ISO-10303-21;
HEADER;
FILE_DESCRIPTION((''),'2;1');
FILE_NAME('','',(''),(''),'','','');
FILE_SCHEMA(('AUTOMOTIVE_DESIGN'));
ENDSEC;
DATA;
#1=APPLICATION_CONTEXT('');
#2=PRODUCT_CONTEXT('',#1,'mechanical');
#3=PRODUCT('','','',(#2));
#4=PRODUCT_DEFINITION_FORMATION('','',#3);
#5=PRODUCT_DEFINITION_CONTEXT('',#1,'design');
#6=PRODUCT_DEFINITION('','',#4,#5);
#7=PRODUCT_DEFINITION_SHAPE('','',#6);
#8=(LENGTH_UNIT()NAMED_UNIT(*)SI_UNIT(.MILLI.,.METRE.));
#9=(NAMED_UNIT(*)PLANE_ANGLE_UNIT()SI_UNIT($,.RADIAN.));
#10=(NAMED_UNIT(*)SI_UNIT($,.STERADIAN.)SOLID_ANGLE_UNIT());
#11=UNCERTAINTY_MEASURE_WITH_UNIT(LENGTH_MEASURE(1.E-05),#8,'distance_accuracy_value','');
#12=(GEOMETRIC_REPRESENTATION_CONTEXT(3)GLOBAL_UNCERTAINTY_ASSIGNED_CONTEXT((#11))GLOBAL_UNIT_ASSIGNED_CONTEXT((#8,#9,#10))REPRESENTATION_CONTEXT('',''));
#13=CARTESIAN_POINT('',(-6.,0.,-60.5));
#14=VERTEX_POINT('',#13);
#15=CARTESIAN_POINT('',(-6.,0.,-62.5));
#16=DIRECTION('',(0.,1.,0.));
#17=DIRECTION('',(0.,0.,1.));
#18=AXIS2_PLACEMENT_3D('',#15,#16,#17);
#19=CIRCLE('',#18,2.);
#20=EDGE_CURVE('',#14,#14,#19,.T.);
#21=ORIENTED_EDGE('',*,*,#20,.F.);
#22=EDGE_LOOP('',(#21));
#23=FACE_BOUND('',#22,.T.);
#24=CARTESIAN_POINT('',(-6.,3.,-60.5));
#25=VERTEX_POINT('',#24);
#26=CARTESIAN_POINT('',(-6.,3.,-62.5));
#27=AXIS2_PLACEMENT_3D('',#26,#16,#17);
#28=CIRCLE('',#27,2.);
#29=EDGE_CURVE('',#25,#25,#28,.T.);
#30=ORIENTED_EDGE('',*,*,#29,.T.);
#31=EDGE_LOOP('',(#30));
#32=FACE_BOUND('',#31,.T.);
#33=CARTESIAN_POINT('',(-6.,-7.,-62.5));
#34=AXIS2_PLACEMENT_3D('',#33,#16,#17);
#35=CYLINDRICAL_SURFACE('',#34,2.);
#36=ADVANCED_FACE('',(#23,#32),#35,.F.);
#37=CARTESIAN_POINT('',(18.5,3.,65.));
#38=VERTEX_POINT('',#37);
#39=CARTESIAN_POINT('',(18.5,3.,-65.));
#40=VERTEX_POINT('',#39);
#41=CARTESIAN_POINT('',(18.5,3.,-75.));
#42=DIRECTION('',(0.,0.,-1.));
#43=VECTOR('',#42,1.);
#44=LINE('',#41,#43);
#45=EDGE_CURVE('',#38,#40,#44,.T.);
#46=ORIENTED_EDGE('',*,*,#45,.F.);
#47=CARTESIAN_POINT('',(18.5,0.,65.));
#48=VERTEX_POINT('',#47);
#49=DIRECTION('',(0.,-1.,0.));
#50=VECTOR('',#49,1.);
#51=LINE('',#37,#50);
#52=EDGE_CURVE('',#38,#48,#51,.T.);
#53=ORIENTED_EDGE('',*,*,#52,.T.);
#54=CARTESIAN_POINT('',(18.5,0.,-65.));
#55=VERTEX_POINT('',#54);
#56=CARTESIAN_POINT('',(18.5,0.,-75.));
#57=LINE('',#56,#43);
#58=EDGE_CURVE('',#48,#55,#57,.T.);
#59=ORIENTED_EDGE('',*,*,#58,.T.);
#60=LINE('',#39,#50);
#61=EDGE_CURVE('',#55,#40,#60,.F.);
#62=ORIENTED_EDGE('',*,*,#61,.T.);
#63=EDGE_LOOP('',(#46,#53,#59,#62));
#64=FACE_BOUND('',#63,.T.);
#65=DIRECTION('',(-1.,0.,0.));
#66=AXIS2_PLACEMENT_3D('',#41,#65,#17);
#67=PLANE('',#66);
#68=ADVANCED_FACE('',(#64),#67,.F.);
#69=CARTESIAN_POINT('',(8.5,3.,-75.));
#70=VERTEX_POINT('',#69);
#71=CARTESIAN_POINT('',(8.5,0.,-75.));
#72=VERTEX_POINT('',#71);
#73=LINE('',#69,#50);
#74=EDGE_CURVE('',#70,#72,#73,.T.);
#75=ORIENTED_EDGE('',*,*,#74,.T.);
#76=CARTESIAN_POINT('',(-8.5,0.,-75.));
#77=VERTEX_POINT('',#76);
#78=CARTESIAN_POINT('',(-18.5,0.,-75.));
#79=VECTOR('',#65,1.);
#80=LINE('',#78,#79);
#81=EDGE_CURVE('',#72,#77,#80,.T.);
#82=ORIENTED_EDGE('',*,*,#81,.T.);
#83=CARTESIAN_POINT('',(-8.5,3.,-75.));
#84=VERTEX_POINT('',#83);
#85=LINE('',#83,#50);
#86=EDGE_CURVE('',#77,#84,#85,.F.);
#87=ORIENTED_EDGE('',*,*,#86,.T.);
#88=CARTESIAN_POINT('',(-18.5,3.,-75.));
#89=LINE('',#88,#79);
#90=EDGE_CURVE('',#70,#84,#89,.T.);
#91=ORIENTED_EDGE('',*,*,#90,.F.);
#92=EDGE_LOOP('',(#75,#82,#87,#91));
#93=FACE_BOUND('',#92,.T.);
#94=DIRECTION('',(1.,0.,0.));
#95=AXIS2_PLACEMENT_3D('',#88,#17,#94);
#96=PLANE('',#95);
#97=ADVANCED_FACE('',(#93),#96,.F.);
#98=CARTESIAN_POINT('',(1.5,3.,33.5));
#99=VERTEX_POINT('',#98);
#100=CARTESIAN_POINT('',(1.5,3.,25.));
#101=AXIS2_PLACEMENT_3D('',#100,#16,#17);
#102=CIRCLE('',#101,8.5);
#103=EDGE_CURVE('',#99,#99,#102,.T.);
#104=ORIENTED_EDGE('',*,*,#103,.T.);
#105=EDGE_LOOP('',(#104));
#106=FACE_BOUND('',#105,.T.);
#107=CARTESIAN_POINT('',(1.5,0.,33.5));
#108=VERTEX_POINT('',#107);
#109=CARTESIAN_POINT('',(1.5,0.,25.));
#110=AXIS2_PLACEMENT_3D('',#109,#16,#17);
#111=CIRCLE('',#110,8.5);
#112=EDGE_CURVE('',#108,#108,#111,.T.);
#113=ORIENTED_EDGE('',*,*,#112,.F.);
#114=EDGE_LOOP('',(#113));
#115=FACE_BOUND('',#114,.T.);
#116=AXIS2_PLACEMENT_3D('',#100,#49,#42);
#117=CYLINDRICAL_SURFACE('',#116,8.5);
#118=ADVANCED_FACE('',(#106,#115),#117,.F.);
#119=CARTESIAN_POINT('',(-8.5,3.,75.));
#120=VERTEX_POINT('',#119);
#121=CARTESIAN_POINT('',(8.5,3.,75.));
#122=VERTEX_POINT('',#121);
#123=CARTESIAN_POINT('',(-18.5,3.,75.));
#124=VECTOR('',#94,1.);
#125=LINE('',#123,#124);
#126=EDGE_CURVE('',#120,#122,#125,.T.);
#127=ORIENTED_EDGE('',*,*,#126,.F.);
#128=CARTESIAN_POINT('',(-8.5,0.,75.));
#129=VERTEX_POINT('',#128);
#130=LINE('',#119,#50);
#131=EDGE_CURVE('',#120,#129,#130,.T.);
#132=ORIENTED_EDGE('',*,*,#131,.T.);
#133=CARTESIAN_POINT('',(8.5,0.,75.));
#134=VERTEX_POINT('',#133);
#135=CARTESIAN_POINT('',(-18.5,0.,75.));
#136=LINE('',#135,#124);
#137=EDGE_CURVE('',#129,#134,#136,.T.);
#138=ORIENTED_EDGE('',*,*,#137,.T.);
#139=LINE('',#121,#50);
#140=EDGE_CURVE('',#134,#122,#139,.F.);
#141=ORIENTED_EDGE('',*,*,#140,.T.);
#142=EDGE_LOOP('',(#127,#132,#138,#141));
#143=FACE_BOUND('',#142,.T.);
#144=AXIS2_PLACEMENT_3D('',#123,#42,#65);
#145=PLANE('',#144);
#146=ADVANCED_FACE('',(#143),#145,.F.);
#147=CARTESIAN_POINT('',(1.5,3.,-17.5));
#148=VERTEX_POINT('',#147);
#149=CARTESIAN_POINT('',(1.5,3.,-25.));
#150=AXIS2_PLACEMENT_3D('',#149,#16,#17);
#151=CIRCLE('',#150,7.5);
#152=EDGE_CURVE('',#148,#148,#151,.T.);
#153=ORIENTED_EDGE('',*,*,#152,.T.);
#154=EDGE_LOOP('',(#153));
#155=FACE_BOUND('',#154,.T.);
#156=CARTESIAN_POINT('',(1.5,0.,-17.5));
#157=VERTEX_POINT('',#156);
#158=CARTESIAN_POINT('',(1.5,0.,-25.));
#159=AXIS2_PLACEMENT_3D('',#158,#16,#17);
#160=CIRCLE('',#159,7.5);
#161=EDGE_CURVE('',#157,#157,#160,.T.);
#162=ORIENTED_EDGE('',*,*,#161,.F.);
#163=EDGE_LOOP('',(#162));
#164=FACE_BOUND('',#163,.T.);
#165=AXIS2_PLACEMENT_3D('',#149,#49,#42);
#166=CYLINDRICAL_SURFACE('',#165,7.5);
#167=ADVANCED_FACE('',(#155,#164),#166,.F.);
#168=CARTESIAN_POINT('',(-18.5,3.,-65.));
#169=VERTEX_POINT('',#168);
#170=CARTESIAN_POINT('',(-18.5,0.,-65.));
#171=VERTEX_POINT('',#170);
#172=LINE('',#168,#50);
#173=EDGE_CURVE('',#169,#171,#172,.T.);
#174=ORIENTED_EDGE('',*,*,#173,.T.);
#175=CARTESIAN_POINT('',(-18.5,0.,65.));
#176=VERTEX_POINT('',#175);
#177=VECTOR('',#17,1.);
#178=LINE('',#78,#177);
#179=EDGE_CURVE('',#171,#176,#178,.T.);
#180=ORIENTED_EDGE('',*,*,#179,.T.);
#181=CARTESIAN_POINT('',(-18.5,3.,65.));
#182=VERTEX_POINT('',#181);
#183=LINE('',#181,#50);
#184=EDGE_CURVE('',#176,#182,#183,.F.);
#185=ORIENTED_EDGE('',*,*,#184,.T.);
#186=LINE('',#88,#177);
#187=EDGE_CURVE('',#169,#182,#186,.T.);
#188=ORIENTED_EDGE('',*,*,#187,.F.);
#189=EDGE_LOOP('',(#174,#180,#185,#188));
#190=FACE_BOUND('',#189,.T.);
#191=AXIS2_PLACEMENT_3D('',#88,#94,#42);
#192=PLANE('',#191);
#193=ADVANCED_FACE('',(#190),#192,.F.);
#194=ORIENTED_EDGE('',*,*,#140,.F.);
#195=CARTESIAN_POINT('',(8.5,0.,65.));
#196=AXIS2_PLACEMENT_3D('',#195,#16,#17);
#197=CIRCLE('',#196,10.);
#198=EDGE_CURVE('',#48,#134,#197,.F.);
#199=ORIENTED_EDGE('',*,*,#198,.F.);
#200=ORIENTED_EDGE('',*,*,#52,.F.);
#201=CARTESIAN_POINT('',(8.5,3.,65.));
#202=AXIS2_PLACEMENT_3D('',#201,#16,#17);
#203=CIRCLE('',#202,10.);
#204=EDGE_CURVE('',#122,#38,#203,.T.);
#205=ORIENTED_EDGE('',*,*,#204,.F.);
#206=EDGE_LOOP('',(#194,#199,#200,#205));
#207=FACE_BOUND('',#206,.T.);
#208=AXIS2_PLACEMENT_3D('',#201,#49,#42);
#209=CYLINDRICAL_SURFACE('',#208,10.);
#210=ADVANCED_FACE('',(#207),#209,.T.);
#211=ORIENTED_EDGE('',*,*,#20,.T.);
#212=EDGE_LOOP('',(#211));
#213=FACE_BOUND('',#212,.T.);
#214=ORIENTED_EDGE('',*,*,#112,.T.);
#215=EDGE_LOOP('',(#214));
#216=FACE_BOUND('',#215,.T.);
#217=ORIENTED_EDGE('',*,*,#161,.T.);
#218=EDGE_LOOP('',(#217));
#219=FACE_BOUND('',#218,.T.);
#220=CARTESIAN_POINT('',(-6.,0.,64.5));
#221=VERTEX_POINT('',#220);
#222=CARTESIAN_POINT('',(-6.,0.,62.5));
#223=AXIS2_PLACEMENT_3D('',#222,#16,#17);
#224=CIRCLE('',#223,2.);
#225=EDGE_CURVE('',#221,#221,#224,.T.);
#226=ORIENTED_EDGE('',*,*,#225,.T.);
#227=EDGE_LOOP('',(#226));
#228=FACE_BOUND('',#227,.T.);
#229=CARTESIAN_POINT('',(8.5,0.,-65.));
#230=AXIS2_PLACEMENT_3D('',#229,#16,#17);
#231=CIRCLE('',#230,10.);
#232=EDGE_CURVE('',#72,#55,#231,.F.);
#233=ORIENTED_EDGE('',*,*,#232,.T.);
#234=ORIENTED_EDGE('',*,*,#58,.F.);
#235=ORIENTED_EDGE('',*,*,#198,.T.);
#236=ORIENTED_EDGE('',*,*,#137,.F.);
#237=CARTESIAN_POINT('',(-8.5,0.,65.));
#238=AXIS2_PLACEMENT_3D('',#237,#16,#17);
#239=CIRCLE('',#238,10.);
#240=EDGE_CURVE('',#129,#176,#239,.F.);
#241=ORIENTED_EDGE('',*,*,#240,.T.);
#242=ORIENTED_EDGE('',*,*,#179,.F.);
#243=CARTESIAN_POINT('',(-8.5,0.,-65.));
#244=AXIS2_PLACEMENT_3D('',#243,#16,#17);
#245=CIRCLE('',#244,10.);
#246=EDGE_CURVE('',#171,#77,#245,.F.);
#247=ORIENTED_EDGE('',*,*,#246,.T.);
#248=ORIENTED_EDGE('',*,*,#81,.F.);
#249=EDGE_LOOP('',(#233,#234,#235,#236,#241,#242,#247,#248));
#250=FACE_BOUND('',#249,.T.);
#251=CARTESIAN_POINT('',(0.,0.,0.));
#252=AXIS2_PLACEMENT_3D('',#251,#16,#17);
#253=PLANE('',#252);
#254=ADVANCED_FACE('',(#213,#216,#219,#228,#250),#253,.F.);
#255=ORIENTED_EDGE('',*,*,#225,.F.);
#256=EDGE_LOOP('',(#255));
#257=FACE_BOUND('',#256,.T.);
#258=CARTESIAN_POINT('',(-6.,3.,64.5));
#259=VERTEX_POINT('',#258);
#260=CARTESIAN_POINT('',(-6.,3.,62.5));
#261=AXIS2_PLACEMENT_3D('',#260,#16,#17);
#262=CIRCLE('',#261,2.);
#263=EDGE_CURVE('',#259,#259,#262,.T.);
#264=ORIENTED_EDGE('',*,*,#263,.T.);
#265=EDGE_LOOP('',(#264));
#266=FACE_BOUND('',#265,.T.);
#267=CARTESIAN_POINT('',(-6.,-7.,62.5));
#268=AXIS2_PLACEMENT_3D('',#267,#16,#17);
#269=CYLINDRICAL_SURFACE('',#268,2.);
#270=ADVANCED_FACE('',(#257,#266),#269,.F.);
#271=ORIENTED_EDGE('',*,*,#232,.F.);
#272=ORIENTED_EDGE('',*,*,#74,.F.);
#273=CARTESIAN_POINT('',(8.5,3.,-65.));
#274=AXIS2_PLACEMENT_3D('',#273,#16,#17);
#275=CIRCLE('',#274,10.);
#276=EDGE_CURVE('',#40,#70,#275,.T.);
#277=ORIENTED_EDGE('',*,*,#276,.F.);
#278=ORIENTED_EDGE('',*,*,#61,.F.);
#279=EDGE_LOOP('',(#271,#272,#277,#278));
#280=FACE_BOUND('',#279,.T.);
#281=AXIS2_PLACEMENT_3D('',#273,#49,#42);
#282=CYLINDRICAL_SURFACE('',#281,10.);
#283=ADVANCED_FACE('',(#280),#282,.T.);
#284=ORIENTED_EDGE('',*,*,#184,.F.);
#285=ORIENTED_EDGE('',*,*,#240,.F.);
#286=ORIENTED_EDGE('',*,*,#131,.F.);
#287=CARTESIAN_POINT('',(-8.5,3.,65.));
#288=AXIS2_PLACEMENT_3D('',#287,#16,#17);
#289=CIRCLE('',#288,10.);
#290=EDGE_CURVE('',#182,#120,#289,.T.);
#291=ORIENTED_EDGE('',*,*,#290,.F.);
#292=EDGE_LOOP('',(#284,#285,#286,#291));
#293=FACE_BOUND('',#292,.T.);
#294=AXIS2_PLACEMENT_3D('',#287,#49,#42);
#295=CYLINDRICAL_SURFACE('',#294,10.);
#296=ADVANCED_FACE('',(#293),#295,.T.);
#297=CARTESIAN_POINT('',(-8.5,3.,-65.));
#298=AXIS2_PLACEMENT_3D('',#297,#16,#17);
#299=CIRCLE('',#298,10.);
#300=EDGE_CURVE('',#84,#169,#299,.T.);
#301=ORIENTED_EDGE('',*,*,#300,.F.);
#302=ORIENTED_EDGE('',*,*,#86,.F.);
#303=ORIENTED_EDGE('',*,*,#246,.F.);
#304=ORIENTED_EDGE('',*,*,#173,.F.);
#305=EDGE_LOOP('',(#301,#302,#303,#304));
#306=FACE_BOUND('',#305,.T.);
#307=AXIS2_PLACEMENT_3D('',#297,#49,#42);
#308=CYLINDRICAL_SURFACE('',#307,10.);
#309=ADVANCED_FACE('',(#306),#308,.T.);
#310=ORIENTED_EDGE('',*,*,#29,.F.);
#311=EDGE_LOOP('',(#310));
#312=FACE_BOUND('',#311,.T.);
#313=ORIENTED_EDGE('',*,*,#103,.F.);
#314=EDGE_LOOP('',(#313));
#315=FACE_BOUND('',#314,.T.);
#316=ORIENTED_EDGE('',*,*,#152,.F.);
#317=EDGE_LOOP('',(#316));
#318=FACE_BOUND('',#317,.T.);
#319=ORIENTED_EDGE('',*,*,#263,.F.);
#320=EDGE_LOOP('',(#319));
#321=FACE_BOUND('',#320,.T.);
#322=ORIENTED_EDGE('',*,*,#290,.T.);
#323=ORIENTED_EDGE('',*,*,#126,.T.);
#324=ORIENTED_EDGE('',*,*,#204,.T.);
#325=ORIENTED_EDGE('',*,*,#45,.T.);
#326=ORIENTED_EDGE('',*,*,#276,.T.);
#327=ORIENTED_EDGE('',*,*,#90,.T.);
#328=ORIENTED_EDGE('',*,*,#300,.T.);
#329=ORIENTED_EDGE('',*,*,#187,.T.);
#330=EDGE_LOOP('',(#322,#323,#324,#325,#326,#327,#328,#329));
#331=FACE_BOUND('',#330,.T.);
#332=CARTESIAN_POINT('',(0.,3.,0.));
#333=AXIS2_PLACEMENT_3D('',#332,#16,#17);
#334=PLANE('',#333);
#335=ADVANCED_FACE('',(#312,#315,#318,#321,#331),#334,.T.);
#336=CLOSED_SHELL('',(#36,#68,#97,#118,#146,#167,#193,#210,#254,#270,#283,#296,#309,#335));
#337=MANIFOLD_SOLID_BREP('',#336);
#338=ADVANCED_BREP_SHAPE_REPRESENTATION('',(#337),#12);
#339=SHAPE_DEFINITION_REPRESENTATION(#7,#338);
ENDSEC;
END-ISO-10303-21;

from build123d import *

# Parameters (mm, degrees)
CROQUIS1_W              = 37
CROQUIS1_H              = 150
CROQUIS1_R              = 7.5
CROQUIS1_R_2            = 8.5
SALIENTE_EXTRUIR1_DEPTH = 3
REDONDEO1_R             = 10
CROQUIS2_R              = 2
CORTAR_EXTRUIR1_DEPTH   = 10


with BuildPart() as part:
    # Croquis1 → Saliente-Extruir1 (new body)
    with BuildSketch(Plane(origin=(0, 0, 0), x_dir=(1, 0, 0), z_dir=(0, 1, 0))):
        Rectangle(CROQUIS1_W, CROQUIS1_H)
        with Locations(Location((1.5, 25, 0), (0, 0, 270))):
            Circle(CROQUIS1_R, mode=Mode.SUBTRACT)
        with Locations(Location((1.5, -25, 0), (0, 0, 270))):
            Circle(CROQUIS1_R_2, mode=Mode.SUBTRACT)
    extrude(amount=SALIENTE_EXTRUIR1_DEPTH)

    # Redondeo1
    redondeo1_edges = [part.edges().sort_by_distance(p)[0] for p in [
        (18.5, 1.5, 75),
        (-18.5, 1.5, 75),
        (-18.5, 1.5, -75),
        (18.5, 1.5, -75),
    ]]
    fillet(redondeo1_edges, radius=REDONDEO1_R)

    # Croquis2 → Cortar-Extruir1 (cut)
    with BuildSketch(Plane(origin=(0, 3, 0), x_dir=(1, 0, 0), z_dir=(0, 1, 0))):
        with Locations(Location((-6, 62.5, 0), (0, 0, 270))):
            Circle(CROQUIS2_R)
        with Locations(Location((-6, -62.5, 0), (0, 0, 270))):
            Circle(CROQUIS2_R)
    extrude(amount=-CORTAR_EXTRUIR1_DEPTH, mode=Mode.SUBTRACT)


solid = part.part
